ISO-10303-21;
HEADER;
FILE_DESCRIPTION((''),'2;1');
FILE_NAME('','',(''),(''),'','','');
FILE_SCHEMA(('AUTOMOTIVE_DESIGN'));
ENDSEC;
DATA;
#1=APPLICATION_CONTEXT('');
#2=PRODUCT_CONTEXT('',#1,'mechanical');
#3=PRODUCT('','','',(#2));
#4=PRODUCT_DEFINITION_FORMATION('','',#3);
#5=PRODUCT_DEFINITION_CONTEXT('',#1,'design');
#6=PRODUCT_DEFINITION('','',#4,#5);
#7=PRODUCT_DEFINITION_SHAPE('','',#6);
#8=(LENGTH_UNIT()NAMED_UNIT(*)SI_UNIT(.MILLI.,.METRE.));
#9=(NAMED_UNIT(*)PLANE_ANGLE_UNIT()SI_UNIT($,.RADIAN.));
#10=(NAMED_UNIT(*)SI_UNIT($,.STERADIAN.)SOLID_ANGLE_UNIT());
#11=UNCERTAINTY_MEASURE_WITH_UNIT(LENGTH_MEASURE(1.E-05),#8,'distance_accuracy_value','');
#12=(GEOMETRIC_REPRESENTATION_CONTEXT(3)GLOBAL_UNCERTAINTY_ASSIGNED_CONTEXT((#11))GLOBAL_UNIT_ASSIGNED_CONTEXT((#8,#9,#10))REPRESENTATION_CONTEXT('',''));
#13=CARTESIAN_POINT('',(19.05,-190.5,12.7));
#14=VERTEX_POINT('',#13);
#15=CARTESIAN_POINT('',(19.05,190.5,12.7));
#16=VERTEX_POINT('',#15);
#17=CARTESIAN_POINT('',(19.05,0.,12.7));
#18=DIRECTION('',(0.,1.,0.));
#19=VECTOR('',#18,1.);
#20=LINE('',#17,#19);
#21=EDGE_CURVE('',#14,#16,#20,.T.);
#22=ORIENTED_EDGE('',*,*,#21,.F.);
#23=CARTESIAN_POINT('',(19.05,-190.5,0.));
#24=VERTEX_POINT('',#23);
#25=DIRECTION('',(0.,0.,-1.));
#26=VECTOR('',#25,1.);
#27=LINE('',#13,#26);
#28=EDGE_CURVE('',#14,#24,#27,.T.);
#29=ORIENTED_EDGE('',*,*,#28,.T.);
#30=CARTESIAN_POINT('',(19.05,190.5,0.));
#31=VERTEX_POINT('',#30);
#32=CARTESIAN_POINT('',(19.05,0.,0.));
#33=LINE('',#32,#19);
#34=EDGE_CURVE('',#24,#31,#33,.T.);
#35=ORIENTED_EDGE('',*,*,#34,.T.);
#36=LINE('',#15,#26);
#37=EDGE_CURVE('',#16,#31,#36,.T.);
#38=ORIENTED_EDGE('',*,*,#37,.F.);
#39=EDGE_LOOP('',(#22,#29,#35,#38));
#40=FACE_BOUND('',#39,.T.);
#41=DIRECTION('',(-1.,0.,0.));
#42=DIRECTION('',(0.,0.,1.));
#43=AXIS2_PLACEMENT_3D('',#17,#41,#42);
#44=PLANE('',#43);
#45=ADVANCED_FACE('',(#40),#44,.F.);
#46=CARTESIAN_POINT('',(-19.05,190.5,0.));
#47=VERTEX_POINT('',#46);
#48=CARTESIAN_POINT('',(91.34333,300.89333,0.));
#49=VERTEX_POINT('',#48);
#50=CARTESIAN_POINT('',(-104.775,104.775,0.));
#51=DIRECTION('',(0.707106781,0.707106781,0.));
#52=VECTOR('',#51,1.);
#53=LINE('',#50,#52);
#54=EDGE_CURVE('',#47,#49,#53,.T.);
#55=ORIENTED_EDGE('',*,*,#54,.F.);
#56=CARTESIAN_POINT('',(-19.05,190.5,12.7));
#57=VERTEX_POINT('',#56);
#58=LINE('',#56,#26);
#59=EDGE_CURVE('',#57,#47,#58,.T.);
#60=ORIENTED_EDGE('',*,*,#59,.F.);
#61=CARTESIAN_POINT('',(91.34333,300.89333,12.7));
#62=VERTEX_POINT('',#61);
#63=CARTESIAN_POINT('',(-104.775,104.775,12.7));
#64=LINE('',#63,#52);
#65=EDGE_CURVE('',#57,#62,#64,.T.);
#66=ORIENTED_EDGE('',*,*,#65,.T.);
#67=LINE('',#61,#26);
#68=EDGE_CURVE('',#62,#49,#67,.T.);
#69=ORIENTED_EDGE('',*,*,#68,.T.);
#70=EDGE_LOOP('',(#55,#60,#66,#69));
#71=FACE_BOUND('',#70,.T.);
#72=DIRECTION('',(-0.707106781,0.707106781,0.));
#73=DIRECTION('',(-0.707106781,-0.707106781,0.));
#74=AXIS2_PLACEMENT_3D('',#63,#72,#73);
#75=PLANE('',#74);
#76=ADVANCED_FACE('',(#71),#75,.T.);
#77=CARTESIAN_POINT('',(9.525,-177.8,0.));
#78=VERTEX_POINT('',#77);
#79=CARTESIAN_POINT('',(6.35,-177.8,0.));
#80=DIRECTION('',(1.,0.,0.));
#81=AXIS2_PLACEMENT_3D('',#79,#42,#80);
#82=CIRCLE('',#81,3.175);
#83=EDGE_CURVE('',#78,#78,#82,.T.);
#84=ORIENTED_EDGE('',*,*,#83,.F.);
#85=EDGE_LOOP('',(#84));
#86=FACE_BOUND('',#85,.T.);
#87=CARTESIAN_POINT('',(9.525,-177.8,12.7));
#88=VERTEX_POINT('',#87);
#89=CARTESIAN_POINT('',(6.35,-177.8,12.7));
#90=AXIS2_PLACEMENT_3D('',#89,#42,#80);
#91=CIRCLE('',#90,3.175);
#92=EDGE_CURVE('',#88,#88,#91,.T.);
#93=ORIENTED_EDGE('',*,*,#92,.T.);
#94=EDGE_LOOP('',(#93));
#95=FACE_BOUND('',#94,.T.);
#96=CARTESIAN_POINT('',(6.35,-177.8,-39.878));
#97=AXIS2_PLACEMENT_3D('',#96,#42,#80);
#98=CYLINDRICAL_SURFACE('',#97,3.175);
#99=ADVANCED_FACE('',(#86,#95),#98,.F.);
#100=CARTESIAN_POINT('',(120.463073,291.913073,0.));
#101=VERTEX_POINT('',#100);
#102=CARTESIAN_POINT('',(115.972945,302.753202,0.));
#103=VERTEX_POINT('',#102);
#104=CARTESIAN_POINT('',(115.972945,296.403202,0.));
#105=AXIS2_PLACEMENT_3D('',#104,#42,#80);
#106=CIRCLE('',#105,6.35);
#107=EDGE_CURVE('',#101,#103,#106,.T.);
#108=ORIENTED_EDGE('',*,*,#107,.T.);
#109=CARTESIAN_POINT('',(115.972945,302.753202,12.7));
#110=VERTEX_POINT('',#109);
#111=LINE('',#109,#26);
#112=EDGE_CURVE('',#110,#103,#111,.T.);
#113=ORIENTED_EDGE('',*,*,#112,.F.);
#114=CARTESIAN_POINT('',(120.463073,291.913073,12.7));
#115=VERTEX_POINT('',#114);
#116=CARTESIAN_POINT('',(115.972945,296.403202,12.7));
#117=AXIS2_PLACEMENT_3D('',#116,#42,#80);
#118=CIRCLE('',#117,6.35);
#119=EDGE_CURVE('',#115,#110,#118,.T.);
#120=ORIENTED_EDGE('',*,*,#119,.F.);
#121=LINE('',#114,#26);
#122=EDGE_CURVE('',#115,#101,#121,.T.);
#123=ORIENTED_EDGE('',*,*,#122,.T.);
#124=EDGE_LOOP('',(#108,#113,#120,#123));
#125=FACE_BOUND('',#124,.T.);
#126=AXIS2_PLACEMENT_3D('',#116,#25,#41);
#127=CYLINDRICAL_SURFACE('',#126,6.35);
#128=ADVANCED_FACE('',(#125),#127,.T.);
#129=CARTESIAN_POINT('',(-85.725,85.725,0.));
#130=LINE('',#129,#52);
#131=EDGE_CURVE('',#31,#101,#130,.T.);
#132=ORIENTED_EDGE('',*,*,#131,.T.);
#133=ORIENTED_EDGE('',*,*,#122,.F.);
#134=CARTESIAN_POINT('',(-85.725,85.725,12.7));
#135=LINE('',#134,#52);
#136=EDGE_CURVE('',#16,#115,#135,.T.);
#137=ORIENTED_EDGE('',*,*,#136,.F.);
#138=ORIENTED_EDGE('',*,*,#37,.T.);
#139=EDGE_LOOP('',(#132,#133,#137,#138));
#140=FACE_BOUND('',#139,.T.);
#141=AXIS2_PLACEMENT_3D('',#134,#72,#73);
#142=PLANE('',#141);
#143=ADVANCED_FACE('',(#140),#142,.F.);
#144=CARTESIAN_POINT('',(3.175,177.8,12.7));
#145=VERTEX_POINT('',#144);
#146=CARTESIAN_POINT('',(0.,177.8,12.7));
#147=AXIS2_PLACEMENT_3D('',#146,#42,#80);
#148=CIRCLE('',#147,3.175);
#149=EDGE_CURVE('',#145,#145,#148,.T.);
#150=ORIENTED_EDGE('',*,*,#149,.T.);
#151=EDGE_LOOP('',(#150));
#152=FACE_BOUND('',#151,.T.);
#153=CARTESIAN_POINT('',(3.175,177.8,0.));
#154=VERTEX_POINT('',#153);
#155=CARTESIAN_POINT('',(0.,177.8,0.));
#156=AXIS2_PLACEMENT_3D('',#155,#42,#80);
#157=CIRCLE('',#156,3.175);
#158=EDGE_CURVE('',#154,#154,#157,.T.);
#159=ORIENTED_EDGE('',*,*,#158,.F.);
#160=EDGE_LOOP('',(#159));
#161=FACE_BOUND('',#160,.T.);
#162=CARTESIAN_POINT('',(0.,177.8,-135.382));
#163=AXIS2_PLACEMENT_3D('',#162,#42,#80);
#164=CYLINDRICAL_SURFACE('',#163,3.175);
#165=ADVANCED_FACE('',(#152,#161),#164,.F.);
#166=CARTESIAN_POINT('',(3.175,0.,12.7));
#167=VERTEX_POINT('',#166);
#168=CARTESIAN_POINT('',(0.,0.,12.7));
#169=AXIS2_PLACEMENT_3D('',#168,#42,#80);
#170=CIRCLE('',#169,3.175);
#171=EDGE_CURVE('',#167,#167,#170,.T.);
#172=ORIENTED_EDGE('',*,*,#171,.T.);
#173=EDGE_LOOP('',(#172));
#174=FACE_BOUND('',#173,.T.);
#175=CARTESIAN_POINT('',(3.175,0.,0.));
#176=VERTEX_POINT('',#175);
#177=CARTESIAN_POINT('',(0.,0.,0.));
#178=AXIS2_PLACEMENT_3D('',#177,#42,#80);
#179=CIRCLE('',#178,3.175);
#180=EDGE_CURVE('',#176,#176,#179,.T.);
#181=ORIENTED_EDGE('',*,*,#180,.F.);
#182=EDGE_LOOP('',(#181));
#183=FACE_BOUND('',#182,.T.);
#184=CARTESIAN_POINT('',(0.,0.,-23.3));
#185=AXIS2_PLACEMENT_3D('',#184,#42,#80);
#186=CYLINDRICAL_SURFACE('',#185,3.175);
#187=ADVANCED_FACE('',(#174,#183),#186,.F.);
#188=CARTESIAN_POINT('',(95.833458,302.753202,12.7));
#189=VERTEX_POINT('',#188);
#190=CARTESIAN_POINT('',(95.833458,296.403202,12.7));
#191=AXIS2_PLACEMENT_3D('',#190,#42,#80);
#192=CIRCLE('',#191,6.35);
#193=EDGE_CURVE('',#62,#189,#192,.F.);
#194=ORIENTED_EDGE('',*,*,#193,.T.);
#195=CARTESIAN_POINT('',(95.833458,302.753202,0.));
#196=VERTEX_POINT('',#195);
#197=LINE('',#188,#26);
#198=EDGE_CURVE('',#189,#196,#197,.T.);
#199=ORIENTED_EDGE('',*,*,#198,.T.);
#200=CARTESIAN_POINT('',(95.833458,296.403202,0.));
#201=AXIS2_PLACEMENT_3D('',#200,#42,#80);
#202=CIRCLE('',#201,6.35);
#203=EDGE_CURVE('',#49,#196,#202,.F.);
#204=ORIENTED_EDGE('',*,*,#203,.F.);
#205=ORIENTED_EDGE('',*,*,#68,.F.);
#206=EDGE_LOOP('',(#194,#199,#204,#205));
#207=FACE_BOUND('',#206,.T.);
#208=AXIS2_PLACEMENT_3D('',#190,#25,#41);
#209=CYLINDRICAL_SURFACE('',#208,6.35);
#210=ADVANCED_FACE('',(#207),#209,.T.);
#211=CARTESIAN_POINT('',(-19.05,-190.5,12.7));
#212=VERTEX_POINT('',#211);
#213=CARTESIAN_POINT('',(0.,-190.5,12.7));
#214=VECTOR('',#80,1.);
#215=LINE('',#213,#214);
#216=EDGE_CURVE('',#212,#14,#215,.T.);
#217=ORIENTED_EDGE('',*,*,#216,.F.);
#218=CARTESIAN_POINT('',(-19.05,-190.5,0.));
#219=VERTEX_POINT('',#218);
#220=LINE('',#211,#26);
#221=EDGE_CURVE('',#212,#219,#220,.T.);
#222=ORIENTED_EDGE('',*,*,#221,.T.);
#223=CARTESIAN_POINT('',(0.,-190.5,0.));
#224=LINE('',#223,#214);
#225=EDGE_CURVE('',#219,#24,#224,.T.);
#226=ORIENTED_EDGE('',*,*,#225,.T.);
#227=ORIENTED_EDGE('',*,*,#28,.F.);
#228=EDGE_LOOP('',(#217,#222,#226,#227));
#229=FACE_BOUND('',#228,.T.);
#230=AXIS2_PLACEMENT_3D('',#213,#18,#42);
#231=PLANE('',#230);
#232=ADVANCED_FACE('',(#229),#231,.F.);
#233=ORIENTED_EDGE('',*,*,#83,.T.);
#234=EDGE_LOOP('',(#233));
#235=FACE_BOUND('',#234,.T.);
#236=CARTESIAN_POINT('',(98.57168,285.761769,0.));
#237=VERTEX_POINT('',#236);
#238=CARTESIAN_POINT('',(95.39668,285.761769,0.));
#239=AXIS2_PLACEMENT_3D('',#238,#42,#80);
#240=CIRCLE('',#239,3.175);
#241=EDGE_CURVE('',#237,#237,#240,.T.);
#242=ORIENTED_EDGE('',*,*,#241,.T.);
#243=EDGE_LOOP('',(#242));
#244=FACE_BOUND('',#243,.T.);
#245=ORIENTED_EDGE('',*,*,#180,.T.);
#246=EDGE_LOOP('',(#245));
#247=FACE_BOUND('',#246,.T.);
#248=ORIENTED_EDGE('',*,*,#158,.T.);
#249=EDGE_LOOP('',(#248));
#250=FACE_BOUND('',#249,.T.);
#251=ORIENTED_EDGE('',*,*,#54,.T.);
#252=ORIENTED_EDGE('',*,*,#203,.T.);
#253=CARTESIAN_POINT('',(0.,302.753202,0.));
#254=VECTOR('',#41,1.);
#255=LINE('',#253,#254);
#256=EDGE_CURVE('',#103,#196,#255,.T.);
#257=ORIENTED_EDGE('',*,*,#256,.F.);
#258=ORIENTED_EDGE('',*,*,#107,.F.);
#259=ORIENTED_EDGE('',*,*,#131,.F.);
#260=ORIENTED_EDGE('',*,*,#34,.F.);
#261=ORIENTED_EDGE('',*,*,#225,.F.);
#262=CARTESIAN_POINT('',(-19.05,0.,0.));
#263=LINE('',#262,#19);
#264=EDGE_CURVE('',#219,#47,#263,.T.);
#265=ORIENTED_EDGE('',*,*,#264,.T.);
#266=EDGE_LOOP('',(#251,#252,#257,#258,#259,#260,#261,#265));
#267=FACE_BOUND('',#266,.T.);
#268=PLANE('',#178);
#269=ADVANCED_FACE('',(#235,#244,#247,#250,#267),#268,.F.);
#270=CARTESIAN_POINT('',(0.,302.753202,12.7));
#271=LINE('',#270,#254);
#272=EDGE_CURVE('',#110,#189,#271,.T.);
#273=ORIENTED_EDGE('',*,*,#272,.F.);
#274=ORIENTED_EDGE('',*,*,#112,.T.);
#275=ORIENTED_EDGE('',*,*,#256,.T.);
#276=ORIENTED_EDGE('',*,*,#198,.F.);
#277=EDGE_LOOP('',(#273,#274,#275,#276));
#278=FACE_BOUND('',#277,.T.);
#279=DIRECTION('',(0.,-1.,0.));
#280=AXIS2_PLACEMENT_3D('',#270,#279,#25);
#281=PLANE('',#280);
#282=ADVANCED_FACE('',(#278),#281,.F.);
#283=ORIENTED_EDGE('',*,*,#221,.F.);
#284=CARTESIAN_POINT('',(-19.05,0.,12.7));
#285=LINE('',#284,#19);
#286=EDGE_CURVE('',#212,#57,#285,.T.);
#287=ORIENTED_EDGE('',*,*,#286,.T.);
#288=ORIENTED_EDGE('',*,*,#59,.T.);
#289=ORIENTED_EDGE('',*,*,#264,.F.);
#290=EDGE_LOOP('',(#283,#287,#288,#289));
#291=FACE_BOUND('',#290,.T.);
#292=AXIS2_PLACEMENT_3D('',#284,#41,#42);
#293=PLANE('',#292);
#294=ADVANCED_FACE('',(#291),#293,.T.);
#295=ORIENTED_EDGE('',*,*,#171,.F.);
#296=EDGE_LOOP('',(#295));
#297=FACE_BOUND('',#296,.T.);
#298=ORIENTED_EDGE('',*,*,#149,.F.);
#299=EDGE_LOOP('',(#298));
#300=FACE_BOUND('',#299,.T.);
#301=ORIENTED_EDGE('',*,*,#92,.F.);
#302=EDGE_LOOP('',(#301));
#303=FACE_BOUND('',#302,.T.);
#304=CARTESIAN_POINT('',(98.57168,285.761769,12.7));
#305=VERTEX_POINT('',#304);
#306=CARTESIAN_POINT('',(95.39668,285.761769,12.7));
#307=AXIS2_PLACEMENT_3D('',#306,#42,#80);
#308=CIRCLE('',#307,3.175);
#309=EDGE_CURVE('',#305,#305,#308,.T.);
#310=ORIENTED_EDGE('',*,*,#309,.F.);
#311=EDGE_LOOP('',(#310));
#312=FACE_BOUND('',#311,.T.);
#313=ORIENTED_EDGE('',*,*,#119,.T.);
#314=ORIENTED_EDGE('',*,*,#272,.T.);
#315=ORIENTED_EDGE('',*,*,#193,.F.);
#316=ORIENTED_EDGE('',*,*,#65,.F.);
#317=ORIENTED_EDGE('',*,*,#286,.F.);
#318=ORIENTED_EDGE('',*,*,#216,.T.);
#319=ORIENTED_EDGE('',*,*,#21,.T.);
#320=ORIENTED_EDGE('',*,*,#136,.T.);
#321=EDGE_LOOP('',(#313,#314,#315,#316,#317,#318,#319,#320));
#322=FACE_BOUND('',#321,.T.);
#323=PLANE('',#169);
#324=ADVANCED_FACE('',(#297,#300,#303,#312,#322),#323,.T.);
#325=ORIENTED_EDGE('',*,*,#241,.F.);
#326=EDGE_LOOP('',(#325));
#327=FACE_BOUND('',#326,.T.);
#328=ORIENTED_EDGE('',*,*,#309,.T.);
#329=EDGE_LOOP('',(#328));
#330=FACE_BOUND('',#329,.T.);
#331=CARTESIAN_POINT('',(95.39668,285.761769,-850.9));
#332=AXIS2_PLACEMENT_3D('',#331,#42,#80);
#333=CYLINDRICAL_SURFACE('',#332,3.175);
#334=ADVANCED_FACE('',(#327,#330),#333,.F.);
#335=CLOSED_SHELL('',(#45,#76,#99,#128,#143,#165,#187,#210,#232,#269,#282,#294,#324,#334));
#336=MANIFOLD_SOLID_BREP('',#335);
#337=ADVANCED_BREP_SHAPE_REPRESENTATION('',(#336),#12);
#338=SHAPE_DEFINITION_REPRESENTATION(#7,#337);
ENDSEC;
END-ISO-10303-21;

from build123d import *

# Parameters (mm, degrees)
SKETCH1_W           = 38.1
SKETCH1_H           = 381
BOSS_EXTRUDE2_DEPTH = 12.7
SKETCH3_R           = 3.175
CUT_EXTRUDE3_DEPTH  = 863.6
SKETCH4_R           = 3.175
CUT_EXTRUDE4_DEPTH  = 36
SKETCH2_R           = 3.175
CUT_EXTRUDE5_DEPTH  = 52.578
SKETCH5_R           = 3.175
CUT_EXTRUDE6_DEPTH  = 148.082


with BuildPart() as part:
    # Sketch1 → Boss-Extrude2 (new body)
    with BuildSketch(Plane.XY):
        Rectangle(SKETCH1_W, SKETCH1_H)
        with BuildLine():
            Line((19.05, 190.5), (120.463073453, 291.913073453))
            ThreePointArc((120.463073453, 291.913073453), (121.839580424, 298.833241309), (115.972945392, 302.753201513))
            Line((115.972945392, 302.753201513), (95.833457634, 302.753201513))
            ThreePointArc((95.833457634, 302.753201513), (93.403417839, 302.269836545), (91.343329574, 300.893329574))
            Line((91.343329574, 300.893329574), (-19.05, 190.5))
            Line((-19.05, 190.5), (19.05, 190.5))
        make_face()
    extrude(amount=BOSS_EXTRUDE2_DEPTH)

    # Sketch3 → Cut-Extrude3 (cut)
    with BuildSketch(Plane.XY.offset(12.7)):
        with Locations((95.396679576, 285.76176863)):
            Circle(SKETCH3_R)
    extrude(amount=-CUT_EXTRUDE3_DEPTH, mode=Mode.SUBTRACT)

    # Sketch4 → Cut-Extrude4 (cut)
    with BuildSketch(Plane.XY.offset(12.7)):
        Circle(SKETCH4_R)
    extrude(amount=-CUT_EXTRUDE4_DEPTH, mode=Mode.SUBTRACT)

    # Sketch2 → Cut-Extrude5 (cut)
    with BuildSketch(Plane.XY.offset(12.7)):
        with Locations((6.35, -177.8)):
            Circle(SKETCH2_R)
    extrude(amount=-CUT_EXTRUDE5_DEPTH, mode=Mode.SUBTRACT)

    # Sketch5 → Cut-Extrude6 (cut)
    with BuildSketch(Plane.XY.offset(12.7)):
        with Locations((0, 177.8)):
            Circle(SKETCH5_R)
    extrude(amount=-CUT_EXTRUDE6_DEPTH, mode=Mode.SUBTRACT)


solid = part.part
